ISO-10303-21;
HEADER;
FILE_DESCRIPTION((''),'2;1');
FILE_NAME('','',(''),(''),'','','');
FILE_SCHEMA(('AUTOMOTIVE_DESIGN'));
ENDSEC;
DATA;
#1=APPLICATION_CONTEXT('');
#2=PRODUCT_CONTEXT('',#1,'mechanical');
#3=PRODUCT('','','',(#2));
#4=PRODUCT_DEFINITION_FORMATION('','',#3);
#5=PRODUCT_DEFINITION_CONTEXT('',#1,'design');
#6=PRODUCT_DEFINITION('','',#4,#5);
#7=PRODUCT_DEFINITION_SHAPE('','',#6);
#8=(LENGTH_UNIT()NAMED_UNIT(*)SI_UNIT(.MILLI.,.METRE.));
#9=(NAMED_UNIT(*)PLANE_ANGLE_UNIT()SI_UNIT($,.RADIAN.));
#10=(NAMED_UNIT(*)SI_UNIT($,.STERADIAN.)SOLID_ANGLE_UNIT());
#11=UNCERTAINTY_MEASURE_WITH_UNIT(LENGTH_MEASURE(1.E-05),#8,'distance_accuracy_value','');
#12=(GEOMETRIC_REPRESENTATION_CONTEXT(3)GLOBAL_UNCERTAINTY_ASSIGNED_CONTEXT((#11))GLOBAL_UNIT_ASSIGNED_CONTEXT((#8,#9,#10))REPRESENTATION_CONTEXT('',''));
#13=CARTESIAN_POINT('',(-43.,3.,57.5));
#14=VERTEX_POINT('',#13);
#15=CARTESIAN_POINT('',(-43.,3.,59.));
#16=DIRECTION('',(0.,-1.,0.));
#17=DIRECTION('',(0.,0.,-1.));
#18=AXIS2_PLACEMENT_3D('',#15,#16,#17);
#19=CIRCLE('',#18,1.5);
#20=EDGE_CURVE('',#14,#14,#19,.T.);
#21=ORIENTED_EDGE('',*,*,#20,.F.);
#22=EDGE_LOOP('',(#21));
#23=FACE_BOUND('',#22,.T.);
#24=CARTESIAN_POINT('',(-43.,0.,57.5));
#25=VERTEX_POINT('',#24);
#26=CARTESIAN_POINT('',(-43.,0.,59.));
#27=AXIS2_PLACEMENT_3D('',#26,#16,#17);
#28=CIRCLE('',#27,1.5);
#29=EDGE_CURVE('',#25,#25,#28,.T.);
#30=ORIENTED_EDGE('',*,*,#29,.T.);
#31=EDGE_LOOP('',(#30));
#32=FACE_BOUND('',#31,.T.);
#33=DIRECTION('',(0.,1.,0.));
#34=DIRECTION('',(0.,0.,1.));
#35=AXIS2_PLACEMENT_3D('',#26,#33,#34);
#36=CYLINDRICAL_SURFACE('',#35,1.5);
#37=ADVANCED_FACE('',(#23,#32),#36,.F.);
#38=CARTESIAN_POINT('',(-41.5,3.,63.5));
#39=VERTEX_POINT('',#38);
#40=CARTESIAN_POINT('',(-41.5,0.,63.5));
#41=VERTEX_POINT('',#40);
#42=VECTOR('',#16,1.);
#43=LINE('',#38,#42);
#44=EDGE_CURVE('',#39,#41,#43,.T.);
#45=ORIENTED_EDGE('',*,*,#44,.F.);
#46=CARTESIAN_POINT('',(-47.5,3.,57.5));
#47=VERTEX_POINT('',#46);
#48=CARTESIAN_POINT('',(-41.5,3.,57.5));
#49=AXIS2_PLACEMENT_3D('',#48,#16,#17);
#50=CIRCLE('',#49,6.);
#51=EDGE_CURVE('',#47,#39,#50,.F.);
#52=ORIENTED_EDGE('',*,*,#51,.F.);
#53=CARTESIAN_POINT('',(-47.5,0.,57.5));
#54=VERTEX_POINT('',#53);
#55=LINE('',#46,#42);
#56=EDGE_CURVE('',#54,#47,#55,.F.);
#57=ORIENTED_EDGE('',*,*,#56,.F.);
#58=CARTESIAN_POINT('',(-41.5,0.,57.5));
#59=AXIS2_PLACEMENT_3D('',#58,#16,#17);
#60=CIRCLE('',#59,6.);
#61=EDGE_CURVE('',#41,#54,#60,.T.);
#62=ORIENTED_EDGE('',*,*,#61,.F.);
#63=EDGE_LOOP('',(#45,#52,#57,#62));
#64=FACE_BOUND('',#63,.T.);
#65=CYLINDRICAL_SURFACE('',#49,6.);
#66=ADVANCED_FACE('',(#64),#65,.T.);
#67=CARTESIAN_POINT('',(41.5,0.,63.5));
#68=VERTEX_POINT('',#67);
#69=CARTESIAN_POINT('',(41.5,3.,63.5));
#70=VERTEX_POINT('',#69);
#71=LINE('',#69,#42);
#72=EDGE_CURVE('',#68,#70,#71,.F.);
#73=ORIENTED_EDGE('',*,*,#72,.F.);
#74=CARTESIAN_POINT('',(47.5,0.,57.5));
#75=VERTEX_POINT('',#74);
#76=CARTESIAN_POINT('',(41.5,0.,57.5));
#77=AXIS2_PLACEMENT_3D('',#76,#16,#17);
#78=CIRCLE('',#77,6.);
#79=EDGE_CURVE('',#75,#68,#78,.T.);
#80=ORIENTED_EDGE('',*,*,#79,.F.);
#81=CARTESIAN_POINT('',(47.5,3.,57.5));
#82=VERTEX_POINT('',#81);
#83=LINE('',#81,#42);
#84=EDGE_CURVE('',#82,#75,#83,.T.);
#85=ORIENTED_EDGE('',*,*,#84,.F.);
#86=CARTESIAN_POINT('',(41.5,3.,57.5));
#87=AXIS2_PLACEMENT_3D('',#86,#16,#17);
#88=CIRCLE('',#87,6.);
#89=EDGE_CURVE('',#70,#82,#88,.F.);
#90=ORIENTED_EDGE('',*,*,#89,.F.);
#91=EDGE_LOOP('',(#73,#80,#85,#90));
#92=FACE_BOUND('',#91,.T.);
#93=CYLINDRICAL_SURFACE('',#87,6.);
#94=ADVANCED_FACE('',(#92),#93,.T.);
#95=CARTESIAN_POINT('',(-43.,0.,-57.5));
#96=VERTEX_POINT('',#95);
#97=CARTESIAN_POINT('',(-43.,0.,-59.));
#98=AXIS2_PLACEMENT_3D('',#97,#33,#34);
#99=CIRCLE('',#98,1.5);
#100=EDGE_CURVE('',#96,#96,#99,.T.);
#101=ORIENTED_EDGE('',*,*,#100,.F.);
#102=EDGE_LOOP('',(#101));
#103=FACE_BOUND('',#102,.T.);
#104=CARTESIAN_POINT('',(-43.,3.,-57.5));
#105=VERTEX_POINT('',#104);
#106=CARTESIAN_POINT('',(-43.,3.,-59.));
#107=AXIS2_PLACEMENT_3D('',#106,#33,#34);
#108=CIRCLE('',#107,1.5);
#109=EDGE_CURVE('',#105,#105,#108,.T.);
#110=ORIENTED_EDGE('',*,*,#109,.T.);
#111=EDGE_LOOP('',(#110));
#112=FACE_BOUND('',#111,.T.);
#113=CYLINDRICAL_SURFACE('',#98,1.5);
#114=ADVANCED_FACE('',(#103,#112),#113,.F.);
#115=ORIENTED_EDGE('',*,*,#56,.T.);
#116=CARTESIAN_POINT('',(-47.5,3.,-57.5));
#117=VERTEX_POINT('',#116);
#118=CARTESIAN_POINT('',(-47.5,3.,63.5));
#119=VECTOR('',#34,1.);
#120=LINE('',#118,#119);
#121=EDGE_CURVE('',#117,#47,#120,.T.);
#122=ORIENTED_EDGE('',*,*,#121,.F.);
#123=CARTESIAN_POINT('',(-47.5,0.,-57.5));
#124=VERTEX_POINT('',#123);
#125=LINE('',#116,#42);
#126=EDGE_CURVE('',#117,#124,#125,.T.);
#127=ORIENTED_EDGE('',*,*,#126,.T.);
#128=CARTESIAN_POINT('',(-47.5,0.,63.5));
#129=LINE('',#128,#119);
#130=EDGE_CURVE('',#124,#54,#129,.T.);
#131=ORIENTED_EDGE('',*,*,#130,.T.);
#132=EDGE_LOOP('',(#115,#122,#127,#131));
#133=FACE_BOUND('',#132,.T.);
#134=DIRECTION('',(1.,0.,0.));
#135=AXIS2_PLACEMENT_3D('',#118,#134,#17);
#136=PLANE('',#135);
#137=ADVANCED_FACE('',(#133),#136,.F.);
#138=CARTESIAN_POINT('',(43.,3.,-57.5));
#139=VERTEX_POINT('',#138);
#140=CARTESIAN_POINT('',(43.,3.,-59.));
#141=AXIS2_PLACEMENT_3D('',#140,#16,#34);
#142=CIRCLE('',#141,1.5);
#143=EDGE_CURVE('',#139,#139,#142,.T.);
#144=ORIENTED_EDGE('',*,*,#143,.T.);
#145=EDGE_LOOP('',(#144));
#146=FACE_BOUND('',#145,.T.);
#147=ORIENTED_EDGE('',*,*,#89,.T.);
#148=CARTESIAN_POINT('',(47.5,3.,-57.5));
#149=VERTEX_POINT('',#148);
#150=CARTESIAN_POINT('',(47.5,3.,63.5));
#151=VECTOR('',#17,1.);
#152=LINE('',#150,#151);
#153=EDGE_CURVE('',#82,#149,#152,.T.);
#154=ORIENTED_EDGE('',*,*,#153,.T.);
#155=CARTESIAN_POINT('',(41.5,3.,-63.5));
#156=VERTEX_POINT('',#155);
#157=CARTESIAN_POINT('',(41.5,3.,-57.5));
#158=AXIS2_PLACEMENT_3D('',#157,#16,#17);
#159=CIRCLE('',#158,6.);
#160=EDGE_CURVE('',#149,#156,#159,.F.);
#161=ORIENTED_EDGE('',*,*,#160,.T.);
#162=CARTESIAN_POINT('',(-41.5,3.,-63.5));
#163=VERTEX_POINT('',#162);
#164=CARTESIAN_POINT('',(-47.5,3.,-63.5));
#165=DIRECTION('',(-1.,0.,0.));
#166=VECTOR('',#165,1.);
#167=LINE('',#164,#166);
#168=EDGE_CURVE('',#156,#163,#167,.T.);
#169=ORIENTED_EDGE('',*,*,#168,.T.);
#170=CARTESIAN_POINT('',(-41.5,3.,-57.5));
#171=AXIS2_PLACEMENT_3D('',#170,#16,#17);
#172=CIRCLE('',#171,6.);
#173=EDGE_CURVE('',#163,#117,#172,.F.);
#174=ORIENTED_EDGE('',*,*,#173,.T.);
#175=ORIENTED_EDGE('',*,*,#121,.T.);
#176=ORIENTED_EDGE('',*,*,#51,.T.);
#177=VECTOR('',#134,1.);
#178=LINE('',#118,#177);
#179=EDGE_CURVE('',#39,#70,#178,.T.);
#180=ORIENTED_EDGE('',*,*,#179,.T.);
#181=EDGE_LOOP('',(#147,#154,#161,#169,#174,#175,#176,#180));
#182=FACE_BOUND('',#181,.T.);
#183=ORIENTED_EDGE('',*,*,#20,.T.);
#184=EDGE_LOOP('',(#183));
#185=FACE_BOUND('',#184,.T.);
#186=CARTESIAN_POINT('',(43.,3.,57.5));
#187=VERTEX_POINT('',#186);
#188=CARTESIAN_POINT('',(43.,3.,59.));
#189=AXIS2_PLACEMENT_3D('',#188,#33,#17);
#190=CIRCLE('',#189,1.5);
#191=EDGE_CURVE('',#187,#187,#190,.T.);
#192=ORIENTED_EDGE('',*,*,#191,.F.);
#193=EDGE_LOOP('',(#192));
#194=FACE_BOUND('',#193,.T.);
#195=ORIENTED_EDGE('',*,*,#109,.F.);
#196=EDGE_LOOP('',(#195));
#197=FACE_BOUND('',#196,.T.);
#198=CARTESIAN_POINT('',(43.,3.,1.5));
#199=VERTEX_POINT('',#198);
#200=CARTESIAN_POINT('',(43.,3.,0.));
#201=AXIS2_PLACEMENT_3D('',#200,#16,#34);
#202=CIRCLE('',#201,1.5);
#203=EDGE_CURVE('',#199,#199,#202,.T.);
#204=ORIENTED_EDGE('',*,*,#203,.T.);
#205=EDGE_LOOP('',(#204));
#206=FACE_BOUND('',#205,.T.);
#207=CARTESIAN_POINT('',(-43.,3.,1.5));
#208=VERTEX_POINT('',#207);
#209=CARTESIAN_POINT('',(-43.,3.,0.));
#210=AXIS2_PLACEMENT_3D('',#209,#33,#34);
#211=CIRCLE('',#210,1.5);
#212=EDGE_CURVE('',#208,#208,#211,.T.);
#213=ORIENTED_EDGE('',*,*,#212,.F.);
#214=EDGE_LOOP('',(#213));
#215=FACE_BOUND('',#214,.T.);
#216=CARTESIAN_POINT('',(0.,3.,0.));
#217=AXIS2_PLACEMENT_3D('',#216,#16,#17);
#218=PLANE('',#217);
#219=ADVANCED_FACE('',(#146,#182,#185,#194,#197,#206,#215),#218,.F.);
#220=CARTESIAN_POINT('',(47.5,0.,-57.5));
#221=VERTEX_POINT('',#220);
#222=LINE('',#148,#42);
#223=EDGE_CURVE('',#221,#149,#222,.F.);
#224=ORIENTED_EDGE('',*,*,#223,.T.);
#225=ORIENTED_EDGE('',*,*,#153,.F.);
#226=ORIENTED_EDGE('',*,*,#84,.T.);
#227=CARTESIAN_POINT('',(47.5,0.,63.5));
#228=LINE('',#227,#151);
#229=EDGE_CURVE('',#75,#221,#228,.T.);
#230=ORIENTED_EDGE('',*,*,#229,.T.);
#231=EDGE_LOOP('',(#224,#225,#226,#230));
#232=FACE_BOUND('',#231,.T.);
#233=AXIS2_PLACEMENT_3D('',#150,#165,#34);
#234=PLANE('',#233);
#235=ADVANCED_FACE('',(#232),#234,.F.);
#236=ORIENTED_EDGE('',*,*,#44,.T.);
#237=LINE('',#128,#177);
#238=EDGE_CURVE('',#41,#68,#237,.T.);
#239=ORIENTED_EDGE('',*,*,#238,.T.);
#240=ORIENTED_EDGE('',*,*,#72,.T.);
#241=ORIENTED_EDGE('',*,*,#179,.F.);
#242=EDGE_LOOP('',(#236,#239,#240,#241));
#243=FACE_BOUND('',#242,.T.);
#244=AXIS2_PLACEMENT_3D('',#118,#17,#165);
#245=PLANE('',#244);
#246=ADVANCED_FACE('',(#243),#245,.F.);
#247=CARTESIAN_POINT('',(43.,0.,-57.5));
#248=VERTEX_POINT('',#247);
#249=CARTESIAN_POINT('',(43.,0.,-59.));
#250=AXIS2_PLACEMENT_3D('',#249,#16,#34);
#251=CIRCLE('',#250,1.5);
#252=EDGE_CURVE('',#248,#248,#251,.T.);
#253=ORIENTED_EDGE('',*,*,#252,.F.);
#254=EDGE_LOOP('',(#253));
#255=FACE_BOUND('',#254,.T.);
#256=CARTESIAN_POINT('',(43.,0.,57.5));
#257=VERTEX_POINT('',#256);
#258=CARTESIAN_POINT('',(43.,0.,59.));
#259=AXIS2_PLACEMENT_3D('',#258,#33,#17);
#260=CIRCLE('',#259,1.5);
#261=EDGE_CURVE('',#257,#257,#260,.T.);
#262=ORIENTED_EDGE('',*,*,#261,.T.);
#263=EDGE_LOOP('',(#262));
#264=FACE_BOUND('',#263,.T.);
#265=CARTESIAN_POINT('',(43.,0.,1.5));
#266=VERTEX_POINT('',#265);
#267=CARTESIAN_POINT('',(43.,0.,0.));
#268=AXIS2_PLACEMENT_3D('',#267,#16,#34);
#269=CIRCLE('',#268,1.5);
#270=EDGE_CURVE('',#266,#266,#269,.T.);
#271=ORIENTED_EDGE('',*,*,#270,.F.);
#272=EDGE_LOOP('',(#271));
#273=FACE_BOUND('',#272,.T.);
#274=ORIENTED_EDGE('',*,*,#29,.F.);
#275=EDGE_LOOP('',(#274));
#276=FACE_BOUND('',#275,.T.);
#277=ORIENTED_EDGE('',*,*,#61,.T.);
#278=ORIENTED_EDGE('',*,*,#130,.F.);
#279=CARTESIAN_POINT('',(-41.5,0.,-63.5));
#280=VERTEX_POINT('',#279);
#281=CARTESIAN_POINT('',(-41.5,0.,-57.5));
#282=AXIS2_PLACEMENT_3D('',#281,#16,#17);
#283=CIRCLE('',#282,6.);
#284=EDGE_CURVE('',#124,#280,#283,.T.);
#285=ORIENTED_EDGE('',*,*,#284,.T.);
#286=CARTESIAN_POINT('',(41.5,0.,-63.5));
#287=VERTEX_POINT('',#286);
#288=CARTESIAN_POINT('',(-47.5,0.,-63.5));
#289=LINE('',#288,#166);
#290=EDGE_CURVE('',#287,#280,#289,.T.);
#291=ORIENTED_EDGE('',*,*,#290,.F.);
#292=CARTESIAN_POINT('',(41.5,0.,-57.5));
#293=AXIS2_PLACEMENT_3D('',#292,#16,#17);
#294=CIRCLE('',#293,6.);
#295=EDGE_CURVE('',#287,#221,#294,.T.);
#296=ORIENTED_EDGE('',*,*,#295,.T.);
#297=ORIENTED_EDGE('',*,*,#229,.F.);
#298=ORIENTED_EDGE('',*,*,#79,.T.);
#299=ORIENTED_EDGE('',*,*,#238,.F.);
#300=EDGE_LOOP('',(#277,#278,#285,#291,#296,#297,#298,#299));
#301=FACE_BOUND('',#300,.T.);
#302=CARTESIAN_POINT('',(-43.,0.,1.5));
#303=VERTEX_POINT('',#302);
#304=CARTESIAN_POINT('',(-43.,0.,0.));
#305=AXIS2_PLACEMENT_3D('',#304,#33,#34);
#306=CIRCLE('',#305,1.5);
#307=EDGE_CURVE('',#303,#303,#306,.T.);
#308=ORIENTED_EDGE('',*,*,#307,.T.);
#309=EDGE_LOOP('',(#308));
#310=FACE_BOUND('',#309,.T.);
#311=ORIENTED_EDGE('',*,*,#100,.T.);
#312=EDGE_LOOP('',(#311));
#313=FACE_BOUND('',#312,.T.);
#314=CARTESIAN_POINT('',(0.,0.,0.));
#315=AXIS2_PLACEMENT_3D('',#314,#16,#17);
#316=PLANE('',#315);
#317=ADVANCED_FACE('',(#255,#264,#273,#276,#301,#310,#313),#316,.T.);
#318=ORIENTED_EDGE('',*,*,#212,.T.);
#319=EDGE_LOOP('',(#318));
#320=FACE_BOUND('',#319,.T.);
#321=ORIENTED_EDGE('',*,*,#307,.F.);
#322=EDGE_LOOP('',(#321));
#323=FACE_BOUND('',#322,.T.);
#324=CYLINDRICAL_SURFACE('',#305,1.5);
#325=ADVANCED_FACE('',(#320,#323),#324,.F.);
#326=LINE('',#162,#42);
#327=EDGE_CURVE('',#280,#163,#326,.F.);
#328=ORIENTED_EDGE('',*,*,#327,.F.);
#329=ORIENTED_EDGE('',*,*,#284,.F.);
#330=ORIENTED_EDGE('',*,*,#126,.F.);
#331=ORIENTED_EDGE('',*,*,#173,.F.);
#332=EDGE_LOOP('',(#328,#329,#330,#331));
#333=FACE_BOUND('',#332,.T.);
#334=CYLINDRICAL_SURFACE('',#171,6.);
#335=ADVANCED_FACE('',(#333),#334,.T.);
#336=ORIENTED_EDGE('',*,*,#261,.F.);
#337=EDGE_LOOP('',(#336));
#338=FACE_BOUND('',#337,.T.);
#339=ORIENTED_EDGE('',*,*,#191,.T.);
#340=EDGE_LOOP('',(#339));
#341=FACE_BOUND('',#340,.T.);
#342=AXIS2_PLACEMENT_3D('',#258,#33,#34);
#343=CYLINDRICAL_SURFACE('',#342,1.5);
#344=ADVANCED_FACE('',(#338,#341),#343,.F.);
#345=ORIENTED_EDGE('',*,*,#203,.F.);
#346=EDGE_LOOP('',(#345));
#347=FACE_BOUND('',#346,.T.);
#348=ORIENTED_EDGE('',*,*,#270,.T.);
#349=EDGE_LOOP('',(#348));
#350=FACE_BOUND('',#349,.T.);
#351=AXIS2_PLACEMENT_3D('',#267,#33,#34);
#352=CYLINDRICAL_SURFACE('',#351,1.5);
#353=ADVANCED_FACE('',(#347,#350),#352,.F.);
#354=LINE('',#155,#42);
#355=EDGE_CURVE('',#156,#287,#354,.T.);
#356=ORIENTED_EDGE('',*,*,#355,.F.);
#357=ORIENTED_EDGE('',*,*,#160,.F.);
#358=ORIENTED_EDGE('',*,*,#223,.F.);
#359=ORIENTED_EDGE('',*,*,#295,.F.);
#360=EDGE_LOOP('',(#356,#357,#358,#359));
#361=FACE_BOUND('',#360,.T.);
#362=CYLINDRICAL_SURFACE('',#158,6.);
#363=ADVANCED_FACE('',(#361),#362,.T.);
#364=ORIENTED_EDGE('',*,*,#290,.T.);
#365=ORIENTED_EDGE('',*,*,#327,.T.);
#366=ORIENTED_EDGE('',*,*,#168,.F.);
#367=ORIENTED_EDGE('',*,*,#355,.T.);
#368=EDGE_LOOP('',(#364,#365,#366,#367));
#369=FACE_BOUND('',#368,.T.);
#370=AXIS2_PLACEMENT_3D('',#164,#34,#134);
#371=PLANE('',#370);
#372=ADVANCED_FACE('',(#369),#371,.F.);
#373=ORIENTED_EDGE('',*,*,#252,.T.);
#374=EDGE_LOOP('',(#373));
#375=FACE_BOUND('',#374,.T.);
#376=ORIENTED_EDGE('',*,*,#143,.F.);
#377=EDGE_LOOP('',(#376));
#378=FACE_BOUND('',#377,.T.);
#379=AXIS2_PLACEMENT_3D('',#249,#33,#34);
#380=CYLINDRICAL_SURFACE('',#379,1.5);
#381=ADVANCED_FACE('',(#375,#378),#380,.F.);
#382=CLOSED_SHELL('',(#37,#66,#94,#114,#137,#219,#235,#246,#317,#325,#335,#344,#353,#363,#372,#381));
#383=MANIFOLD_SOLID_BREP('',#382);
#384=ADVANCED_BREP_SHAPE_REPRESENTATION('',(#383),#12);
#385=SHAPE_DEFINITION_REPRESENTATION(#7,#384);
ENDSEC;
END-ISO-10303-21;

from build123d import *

# Parameters (mm, degrees)
SKETCH1_W               = 95
SKETCH1_H               = 127
BOSS_EXTRUDE1_DEPTH     = 3
FILLET1_R               = 6
SKETCH2_R               = 1.5
CUT_EXTRUDE1_DEPTH      = 80.35678925
LPATTERN2_COUNT         = 2
LPATTERN2_PITCH         = 59
MIRROR2_COPY_1_SKETCH_R = 1.5
MIRROR2_COPY_1_DEPTH    = 80.35678925
MIRROR2_COPY_2_SKETCH_R = 1.5
MIRROR2_COPY_2_DEPTH    = 80.35678925


with BuildPart() as part:
    # Sketch1 → Boss-Extrude1 (new body)
    with BuildSketch(Plane(origin=(0, 0, 0), x_dir=(1, 0, 0), z_dir=(0, 1, 0))):
        Rectangle(SKETCH1_W, SKETCH1_H)
    extrude(amount=BOSS_EXTRUDE1_DEPTH)

    # Fillet1
    fillet1_edges = [part.edges().sort_by_distance(p)[0] for p in [
        (47.5, 1.5, 63.5),
        (-47.5, 1.5, 63.5),
        (-47.5, 1.5, -63.5),
        (47.5, 1.5, -63.5),
    ]]
    fillet(fillet1_edges, radius=FILLET1_R)

    # Sketch2 → Cut-Extrude1 (cut, through all)
    with BuildSketch(Plane(origin=(0, 3, 0), x_dir=(1, 0, 0), z_dir=(0, 1, 0))):
        with Locations(Location((-43, 59, 0), (0, 0, 270))):
            Circle(SKETCH2_R)
    cut_extrude1 = extrude(amount=-CUT_EXTRUDE1_DEPTH, mode=Mode.SUBTRACT)

    # Mirror1: Cut-Extrude1 across plane
    add(cut_extrude1.mirror(Plane.XY), mode=Mode.SUBTRACT)

    # LPattern2: Cut-Extrude1 ×2
    with Locations(*[(0, 0, i * LPATTERN2_PITCH) for i in range(1, LPATTERN2_COUNT)]):
        add(cut_extrude1, mode=Mode.SUBTRACT)

    # Mirror2: Cut-Extrude1 across plane
    add(cut_extrude1.mirror(Plane(origin=(0, 0, 0), x_dir=(0, 0, 1), z_dir=(1, 0, 0))), mode=Mode.SUBTRACT)

    # Mirror2 copy 1 sketch → Mirror2 copy 1 (cut, through all)
    with BuildSketch(Plane(origin=(0, 3, 0), x_dir=(-1, 0, 0), z_dir=(0, 1, 0))):
        with Locations(Location((-43, 59, 0), (0, 0, 270))):
            Circle(MIRROR2_COPY_1_SKETCH_R)
    extrude(amount=-MIRROR2_COPY_1_DEPTH, mode=Mode.SUBTRACT)

    # Mirror2 copy 2 sketch → Mirror2 copy 2 (cut, through all)
    with BuildSketch(Plane(origin=(0, 3, 59), x_dir=(-1, 0, 0), z_dir=(0, 1, 0))):
        with Locations((-43, -59)):
            Circle(MIRROR2_COPY_2_SKETCH_R)
    extrude(amount=-MIRROR2_COPY_2_DEPTH, mode=Mode.SUBTRACT)


solid = part.part
